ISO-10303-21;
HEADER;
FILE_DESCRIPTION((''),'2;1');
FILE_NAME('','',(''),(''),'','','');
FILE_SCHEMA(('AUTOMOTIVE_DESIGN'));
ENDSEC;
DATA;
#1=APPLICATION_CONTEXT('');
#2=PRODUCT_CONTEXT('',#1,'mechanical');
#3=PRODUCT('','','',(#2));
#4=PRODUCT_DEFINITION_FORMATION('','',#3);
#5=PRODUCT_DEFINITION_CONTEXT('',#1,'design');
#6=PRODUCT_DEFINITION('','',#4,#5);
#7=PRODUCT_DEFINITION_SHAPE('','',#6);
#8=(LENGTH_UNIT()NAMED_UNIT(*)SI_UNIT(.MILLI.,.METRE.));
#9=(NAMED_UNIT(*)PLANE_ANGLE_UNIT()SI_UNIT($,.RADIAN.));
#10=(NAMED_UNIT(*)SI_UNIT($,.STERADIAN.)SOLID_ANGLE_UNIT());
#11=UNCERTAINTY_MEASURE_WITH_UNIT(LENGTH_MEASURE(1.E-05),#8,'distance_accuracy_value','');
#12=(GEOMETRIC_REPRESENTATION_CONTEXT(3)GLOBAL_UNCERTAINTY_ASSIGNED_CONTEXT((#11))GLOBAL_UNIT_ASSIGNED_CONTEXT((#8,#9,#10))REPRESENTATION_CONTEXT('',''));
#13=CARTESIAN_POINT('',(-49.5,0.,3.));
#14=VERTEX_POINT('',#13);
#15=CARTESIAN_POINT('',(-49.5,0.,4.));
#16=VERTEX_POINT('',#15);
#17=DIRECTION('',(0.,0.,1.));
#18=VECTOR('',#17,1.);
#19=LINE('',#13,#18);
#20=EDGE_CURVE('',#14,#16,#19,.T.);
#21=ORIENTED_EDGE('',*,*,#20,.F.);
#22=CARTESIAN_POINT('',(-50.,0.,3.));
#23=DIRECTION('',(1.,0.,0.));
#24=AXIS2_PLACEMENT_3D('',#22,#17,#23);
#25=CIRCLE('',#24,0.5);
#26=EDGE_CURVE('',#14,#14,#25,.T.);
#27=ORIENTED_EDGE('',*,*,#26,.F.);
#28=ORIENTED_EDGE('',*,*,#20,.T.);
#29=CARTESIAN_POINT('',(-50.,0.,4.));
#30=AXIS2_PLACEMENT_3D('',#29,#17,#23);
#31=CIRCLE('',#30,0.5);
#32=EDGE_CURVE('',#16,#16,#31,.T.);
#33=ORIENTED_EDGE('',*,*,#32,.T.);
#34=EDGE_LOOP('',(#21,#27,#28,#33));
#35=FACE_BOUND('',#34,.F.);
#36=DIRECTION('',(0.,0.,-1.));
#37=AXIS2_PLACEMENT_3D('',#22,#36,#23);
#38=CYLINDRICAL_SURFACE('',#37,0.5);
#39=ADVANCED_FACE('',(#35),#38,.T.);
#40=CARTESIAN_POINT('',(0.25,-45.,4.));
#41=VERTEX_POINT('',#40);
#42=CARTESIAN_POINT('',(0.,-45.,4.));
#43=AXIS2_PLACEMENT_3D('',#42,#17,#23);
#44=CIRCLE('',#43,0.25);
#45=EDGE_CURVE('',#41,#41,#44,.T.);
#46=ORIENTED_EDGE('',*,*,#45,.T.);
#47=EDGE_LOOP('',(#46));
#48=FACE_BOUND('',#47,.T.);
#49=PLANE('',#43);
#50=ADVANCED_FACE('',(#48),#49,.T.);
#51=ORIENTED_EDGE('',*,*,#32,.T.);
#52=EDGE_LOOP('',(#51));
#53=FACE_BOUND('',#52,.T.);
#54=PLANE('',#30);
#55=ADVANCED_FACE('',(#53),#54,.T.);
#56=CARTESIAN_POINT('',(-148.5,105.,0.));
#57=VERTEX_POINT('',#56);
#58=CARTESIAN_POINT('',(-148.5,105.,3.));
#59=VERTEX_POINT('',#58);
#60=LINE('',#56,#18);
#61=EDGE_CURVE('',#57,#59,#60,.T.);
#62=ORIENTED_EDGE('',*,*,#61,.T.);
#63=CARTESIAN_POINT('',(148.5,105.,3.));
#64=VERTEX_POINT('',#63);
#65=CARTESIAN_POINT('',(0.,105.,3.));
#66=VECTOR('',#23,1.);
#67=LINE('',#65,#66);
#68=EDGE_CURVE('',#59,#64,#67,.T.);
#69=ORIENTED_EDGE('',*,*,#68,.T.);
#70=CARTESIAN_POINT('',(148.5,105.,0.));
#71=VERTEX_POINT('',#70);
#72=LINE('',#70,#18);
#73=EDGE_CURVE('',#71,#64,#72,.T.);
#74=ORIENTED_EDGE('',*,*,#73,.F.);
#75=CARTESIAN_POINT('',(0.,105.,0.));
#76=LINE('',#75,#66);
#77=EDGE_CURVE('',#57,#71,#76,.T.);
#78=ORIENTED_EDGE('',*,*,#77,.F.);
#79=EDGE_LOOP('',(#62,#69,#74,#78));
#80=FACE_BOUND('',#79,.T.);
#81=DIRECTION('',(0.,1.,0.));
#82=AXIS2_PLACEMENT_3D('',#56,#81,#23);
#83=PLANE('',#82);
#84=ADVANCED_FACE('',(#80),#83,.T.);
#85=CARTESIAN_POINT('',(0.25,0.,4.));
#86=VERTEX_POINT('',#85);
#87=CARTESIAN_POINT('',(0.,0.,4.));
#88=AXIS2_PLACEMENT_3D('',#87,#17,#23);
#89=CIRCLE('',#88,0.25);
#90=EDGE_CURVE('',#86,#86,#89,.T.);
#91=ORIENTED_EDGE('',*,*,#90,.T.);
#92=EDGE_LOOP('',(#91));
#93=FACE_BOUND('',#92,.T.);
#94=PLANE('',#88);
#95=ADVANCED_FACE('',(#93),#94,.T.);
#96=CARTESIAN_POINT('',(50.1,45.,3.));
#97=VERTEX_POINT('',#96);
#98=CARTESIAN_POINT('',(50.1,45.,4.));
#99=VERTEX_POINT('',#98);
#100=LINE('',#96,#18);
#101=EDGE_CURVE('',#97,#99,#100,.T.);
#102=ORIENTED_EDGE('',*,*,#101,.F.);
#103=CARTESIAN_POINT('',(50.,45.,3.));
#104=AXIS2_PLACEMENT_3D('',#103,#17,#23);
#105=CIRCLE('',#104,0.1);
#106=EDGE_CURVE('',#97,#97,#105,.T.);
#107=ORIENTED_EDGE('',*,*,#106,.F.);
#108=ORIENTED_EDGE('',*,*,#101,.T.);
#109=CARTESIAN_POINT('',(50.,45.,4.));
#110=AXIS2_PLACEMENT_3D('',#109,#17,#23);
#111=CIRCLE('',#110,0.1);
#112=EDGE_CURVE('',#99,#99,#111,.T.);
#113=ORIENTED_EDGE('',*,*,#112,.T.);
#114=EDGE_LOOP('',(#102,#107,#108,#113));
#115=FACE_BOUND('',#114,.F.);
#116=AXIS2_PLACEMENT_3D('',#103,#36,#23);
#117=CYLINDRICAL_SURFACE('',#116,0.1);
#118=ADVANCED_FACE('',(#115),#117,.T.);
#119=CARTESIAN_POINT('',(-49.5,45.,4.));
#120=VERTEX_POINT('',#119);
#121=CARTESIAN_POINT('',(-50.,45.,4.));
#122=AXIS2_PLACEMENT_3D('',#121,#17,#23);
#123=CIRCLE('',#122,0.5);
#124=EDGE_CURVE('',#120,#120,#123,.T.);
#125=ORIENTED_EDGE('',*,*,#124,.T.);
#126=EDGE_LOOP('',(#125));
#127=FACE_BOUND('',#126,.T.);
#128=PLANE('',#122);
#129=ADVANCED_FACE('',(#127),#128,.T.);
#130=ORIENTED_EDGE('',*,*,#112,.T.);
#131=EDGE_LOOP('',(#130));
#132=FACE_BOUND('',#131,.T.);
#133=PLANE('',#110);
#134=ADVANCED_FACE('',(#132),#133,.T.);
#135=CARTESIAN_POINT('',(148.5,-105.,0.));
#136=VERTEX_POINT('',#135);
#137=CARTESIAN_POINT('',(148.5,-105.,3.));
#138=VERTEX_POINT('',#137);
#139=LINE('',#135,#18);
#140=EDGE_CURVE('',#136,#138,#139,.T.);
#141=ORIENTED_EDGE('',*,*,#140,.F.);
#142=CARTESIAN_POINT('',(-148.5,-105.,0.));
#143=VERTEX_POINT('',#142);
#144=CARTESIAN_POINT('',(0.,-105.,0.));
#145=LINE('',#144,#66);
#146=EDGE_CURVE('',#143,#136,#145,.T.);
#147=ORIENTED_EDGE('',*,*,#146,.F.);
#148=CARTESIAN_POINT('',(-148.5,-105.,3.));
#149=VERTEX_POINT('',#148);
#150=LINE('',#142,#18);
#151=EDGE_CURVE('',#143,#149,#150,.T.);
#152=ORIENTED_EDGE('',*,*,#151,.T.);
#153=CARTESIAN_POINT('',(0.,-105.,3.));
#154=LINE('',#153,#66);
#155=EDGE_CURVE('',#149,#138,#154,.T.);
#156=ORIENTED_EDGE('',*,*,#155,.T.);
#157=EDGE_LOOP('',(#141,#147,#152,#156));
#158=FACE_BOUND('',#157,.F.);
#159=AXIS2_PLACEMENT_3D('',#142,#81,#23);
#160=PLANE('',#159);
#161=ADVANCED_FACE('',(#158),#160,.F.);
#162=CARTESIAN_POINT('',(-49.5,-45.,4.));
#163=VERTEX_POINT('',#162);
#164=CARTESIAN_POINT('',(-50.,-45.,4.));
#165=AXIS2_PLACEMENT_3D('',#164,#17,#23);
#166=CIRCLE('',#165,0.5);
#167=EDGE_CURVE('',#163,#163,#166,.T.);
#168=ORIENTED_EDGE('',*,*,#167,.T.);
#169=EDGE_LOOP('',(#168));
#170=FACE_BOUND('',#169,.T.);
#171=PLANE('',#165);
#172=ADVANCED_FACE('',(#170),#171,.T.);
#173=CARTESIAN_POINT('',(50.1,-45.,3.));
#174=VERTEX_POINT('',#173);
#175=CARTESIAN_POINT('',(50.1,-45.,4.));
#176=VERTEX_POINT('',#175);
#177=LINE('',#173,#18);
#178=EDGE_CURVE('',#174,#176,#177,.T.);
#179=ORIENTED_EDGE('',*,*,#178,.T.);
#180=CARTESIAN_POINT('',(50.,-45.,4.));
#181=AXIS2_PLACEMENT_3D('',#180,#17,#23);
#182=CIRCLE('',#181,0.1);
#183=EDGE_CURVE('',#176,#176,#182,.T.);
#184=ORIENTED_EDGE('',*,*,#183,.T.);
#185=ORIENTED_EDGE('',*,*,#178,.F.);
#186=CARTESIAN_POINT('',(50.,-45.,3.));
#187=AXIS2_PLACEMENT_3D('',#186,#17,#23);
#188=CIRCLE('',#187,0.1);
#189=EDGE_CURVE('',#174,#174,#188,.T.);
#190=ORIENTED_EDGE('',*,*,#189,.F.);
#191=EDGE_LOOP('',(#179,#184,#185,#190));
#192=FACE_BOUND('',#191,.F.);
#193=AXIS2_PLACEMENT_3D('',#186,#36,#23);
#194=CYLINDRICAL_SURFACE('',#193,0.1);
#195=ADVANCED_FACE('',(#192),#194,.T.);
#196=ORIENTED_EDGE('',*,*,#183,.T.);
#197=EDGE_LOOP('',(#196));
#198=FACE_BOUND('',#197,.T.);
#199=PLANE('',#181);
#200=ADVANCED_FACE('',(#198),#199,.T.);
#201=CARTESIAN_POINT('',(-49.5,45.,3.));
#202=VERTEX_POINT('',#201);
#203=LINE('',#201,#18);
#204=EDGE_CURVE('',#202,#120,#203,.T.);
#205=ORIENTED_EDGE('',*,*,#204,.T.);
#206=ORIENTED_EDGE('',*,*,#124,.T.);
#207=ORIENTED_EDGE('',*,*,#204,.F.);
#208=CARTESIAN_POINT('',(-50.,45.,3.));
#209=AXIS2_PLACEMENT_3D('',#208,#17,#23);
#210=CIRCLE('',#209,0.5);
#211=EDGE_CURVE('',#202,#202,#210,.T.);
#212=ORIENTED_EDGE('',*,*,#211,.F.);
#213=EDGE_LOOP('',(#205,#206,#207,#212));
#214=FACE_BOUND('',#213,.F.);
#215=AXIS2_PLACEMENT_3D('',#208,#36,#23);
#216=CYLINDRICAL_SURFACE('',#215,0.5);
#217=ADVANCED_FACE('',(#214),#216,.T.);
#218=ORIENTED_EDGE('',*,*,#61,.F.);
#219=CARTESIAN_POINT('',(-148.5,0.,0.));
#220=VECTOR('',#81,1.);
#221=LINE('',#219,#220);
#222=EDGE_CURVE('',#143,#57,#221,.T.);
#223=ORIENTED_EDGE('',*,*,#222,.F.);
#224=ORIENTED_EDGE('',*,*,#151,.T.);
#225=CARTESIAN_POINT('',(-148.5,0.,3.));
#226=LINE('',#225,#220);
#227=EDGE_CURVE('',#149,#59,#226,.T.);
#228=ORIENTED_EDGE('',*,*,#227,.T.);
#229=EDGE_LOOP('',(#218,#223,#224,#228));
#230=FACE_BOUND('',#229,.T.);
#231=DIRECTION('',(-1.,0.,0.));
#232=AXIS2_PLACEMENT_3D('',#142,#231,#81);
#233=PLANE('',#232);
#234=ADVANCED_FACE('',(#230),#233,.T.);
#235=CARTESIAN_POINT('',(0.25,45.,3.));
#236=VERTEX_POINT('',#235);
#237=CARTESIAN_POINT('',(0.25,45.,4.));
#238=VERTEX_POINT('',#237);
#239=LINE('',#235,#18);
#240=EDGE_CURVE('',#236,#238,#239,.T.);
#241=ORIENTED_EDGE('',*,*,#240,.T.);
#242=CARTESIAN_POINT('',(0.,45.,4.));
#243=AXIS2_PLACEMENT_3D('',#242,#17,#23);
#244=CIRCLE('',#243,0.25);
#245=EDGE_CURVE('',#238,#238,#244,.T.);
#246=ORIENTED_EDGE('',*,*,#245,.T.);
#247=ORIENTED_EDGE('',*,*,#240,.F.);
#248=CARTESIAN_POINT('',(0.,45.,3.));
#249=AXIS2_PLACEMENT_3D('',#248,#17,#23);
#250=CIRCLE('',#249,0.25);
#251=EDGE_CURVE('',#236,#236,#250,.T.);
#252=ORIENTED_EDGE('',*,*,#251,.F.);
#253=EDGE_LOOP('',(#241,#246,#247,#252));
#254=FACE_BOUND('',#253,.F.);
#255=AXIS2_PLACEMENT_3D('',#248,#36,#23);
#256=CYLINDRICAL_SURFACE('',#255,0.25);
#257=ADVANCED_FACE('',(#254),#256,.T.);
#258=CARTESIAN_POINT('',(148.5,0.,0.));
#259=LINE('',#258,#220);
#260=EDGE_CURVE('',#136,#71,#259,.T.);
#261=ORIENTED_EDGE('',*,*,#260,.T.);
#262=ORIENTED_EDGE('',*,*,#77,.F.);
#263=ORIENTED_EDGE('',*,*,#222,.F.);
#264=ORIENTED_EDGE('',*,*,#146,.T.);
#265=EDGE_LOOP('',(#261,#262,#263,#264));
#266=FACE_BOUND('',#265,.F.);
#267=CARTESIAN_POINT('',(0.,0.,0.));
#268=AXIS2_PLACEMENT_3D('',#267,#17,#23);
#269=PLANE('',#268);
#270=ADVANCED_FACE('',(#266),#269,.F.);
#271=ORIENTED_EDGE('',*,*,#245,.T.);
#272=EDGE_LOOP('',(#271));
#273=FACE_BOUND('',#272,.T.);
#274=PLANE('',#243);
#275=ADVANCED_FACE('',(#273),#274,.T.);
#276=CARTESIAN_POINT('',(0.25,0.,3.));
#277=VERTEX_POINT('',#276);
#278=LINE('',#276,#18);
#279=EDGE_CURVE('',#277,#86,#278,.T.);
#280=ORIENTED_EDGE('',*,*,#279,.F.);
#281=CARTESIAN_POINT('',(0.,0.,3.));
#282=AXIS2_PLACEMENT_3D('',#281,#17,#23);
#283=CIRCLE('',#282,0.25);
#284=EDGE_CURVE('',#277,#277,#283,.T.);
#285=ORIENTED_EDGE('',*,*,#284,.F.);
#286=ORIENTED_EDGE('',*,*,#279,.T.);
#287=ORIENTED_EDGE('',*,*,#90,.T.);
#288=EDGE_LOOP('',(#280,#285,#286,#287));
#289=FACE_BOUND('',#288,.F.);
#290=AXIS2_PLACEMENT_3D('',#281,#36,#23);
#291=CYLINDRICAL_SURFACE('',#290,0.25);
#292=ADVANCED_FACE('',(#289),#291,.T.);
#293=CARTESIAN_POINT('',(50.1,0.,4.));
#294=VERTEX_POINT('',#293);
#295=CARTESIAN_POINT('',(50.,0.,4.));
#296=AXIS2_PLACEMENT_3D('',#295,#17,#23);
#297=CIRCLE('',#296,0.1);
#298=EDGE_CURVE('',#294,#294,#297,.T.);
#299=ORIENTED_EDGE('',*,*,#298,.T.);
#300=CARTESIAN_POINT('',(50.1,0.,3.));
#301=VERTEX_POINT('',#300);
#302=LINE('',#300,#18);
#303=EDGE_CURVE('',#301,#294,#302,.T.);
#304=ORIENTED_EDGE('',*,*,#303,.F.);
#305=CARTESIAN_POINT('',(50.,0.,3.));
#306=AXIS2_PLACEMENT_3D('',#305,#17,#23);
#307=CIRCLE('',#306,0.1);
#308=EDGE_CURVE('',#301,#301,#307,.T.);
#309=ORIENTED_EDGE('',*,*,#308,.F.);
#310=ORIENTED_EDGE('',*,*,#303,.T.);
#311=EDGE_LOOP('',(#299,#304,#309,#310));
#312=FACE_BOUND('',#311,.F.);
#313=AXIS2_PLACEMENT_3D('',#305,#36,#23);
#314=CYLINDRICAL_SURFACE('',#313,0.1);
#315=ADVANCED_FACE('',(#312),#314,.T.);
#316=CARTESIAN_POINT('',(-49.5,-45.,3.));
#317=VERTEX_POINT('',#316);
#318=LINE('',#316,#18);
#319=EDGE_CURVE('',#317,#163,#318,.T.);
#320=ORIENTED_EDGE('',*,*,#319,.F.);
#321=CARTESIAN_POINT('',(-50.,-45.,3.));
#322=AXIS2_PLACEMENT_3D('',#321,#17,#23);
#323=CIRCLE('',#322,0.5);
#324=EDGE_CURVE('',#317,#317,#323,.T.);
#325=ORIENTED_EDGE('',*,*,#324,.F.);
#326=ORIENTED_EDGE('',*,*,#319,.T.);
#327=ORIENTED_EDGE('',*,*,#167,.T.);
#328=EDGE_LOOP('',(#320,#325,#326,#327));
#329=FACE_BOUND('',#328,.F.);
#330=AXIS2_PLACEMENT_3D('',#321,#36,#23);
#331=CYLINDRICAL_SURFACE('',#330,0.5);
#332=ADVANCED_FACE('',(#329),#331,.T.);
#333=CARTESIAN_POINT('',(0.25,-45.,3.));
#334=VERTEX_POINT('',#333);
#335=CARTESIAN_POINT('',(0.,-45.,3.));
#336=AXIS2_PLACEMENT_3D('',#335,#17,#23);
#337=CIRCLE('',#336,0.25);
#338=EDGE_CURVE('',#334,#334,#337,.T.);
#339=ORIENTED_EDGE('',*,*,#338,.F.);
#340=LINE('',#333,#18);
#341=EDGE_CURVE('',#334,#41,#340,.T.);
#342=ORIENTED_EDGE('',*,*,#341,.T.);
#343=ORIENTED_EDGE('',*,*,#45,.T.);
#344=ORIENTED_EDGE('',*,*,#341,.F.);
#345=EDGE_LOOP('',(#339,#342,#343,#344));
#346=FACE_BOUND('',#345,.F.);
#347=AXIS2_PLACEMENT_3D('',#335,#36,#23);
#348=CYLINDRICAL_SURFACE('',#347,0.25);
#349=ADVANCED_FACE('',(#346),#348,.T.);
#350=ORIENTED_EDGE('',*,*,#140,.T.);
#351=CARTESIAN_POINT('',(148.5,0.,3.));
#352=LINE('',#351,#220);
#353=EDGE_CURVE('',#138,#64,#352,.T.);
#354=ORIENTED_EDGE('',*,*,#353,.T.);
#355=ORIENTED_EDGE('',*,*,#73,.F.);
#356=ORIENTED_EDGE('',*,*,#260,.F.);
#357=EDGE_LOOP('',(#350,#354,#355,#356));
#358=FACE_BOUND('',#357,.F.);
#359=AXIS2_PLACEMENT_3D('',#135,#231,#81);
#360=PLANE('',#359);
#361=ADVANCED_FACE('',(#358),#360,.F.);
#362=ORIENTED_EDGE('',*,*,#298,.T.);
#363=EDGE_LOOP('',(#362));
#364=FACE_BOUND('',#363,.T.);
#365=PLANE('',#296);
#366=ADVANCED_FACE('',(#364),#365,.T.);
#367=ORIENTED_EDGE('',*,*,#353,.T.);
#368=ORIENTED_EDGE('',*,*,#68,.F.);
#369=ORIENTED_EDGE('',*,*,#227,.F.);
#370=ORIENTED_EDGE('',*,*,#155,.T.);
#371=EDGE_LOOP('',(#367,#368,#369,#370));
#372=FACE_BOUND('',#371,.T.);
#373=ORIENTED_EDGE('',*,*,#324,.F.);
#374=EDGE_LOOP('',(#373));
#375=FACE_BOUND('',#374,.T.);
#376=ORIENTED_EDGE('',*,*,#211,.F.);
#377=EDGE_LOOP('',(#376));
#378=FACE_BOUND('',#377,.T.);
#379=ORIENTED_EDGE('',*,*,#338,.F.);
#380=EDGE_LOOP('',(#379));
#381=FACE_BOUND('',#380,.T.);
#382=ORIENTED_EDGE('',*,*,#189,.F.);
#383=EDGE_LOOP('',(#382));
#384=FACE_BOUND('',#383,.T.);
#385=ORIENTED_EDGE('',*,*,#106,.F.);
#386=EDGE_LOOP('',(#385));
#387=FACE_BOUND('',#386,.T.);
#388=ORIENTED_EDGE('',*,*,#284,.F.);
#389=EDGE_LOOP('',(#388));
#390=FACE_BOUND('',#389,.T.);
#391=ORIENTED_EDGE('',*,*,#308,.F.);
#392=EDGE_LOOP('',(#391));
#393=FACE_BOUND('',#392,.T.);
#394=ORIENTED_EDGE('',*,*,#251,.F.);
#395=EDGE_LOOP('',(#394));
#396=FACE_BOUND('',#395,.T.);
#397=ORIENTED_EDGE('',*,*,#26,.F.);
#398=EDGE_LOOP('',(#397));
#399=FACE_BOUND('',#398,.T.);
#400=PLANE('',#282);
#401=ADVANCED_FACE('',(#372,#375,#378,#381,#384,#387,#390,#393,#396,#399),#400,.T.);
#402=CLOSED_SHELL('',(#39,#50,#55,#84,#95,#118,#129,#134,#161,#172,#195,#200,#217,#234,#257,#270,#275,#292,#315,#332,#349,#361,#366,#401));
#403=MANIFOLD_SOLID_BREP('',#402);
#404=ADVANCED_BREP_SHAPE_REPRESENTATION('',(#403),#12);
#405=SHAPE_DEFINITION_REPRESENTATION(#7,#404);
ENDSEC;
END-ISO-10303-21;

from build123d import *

# Parameters (mm, degrees)
F0_W     = 297
F0_H     = 210
F1_DEPTH = 3
F2_R     = 0.1
F3_DEPTH = 1
F4_R     = 0.25
F5_DEPTH = 1
F6_R     = 0.5
F7_DEPTH = 1


with BuildPart() as f1:
    # F0 (on Top) → F1 (new body)
    with BuildSketch(Plane.XY):
        Rectangle(F0_W, F0_H)
    extrude(amount=F1_DEPTH)

    # F2 (on face) → F3 (join)
    with BuildSketch(Plane.XY.offset(3)):
        with Locations((50, 45)):
            Circle(F2_R)
        with Locations((50, 0)):
            Circle(F2_R)
        with Locations((50, -45)):
            Circle(F2_R)
    extrude(amount=F3_DEPTH)

    # F4 (on face) → F5 (join)
    with BuildSketch(Plane.XY.offset(3)):
        with Locations((0, 45)):
            Circle(F4_R)
        Circle(F4_R)
        with Locations((0, -45)):
            Circle(F4_R)
    extrude(amount=F5_DEPTH)

    # F6 (on face) → F7 (join)
    with BuildSketch(Plane.XY.offset(3)):
        with Locations((-50, 45)):
            Circle(F6_R)
        with Locations((-50, 0)):
            Circle(F6_R)
        with Locations((-50, -45)):
            Circle(F6_R)
    extrude(amount=F7_DEPTH)


solid = f1.part
